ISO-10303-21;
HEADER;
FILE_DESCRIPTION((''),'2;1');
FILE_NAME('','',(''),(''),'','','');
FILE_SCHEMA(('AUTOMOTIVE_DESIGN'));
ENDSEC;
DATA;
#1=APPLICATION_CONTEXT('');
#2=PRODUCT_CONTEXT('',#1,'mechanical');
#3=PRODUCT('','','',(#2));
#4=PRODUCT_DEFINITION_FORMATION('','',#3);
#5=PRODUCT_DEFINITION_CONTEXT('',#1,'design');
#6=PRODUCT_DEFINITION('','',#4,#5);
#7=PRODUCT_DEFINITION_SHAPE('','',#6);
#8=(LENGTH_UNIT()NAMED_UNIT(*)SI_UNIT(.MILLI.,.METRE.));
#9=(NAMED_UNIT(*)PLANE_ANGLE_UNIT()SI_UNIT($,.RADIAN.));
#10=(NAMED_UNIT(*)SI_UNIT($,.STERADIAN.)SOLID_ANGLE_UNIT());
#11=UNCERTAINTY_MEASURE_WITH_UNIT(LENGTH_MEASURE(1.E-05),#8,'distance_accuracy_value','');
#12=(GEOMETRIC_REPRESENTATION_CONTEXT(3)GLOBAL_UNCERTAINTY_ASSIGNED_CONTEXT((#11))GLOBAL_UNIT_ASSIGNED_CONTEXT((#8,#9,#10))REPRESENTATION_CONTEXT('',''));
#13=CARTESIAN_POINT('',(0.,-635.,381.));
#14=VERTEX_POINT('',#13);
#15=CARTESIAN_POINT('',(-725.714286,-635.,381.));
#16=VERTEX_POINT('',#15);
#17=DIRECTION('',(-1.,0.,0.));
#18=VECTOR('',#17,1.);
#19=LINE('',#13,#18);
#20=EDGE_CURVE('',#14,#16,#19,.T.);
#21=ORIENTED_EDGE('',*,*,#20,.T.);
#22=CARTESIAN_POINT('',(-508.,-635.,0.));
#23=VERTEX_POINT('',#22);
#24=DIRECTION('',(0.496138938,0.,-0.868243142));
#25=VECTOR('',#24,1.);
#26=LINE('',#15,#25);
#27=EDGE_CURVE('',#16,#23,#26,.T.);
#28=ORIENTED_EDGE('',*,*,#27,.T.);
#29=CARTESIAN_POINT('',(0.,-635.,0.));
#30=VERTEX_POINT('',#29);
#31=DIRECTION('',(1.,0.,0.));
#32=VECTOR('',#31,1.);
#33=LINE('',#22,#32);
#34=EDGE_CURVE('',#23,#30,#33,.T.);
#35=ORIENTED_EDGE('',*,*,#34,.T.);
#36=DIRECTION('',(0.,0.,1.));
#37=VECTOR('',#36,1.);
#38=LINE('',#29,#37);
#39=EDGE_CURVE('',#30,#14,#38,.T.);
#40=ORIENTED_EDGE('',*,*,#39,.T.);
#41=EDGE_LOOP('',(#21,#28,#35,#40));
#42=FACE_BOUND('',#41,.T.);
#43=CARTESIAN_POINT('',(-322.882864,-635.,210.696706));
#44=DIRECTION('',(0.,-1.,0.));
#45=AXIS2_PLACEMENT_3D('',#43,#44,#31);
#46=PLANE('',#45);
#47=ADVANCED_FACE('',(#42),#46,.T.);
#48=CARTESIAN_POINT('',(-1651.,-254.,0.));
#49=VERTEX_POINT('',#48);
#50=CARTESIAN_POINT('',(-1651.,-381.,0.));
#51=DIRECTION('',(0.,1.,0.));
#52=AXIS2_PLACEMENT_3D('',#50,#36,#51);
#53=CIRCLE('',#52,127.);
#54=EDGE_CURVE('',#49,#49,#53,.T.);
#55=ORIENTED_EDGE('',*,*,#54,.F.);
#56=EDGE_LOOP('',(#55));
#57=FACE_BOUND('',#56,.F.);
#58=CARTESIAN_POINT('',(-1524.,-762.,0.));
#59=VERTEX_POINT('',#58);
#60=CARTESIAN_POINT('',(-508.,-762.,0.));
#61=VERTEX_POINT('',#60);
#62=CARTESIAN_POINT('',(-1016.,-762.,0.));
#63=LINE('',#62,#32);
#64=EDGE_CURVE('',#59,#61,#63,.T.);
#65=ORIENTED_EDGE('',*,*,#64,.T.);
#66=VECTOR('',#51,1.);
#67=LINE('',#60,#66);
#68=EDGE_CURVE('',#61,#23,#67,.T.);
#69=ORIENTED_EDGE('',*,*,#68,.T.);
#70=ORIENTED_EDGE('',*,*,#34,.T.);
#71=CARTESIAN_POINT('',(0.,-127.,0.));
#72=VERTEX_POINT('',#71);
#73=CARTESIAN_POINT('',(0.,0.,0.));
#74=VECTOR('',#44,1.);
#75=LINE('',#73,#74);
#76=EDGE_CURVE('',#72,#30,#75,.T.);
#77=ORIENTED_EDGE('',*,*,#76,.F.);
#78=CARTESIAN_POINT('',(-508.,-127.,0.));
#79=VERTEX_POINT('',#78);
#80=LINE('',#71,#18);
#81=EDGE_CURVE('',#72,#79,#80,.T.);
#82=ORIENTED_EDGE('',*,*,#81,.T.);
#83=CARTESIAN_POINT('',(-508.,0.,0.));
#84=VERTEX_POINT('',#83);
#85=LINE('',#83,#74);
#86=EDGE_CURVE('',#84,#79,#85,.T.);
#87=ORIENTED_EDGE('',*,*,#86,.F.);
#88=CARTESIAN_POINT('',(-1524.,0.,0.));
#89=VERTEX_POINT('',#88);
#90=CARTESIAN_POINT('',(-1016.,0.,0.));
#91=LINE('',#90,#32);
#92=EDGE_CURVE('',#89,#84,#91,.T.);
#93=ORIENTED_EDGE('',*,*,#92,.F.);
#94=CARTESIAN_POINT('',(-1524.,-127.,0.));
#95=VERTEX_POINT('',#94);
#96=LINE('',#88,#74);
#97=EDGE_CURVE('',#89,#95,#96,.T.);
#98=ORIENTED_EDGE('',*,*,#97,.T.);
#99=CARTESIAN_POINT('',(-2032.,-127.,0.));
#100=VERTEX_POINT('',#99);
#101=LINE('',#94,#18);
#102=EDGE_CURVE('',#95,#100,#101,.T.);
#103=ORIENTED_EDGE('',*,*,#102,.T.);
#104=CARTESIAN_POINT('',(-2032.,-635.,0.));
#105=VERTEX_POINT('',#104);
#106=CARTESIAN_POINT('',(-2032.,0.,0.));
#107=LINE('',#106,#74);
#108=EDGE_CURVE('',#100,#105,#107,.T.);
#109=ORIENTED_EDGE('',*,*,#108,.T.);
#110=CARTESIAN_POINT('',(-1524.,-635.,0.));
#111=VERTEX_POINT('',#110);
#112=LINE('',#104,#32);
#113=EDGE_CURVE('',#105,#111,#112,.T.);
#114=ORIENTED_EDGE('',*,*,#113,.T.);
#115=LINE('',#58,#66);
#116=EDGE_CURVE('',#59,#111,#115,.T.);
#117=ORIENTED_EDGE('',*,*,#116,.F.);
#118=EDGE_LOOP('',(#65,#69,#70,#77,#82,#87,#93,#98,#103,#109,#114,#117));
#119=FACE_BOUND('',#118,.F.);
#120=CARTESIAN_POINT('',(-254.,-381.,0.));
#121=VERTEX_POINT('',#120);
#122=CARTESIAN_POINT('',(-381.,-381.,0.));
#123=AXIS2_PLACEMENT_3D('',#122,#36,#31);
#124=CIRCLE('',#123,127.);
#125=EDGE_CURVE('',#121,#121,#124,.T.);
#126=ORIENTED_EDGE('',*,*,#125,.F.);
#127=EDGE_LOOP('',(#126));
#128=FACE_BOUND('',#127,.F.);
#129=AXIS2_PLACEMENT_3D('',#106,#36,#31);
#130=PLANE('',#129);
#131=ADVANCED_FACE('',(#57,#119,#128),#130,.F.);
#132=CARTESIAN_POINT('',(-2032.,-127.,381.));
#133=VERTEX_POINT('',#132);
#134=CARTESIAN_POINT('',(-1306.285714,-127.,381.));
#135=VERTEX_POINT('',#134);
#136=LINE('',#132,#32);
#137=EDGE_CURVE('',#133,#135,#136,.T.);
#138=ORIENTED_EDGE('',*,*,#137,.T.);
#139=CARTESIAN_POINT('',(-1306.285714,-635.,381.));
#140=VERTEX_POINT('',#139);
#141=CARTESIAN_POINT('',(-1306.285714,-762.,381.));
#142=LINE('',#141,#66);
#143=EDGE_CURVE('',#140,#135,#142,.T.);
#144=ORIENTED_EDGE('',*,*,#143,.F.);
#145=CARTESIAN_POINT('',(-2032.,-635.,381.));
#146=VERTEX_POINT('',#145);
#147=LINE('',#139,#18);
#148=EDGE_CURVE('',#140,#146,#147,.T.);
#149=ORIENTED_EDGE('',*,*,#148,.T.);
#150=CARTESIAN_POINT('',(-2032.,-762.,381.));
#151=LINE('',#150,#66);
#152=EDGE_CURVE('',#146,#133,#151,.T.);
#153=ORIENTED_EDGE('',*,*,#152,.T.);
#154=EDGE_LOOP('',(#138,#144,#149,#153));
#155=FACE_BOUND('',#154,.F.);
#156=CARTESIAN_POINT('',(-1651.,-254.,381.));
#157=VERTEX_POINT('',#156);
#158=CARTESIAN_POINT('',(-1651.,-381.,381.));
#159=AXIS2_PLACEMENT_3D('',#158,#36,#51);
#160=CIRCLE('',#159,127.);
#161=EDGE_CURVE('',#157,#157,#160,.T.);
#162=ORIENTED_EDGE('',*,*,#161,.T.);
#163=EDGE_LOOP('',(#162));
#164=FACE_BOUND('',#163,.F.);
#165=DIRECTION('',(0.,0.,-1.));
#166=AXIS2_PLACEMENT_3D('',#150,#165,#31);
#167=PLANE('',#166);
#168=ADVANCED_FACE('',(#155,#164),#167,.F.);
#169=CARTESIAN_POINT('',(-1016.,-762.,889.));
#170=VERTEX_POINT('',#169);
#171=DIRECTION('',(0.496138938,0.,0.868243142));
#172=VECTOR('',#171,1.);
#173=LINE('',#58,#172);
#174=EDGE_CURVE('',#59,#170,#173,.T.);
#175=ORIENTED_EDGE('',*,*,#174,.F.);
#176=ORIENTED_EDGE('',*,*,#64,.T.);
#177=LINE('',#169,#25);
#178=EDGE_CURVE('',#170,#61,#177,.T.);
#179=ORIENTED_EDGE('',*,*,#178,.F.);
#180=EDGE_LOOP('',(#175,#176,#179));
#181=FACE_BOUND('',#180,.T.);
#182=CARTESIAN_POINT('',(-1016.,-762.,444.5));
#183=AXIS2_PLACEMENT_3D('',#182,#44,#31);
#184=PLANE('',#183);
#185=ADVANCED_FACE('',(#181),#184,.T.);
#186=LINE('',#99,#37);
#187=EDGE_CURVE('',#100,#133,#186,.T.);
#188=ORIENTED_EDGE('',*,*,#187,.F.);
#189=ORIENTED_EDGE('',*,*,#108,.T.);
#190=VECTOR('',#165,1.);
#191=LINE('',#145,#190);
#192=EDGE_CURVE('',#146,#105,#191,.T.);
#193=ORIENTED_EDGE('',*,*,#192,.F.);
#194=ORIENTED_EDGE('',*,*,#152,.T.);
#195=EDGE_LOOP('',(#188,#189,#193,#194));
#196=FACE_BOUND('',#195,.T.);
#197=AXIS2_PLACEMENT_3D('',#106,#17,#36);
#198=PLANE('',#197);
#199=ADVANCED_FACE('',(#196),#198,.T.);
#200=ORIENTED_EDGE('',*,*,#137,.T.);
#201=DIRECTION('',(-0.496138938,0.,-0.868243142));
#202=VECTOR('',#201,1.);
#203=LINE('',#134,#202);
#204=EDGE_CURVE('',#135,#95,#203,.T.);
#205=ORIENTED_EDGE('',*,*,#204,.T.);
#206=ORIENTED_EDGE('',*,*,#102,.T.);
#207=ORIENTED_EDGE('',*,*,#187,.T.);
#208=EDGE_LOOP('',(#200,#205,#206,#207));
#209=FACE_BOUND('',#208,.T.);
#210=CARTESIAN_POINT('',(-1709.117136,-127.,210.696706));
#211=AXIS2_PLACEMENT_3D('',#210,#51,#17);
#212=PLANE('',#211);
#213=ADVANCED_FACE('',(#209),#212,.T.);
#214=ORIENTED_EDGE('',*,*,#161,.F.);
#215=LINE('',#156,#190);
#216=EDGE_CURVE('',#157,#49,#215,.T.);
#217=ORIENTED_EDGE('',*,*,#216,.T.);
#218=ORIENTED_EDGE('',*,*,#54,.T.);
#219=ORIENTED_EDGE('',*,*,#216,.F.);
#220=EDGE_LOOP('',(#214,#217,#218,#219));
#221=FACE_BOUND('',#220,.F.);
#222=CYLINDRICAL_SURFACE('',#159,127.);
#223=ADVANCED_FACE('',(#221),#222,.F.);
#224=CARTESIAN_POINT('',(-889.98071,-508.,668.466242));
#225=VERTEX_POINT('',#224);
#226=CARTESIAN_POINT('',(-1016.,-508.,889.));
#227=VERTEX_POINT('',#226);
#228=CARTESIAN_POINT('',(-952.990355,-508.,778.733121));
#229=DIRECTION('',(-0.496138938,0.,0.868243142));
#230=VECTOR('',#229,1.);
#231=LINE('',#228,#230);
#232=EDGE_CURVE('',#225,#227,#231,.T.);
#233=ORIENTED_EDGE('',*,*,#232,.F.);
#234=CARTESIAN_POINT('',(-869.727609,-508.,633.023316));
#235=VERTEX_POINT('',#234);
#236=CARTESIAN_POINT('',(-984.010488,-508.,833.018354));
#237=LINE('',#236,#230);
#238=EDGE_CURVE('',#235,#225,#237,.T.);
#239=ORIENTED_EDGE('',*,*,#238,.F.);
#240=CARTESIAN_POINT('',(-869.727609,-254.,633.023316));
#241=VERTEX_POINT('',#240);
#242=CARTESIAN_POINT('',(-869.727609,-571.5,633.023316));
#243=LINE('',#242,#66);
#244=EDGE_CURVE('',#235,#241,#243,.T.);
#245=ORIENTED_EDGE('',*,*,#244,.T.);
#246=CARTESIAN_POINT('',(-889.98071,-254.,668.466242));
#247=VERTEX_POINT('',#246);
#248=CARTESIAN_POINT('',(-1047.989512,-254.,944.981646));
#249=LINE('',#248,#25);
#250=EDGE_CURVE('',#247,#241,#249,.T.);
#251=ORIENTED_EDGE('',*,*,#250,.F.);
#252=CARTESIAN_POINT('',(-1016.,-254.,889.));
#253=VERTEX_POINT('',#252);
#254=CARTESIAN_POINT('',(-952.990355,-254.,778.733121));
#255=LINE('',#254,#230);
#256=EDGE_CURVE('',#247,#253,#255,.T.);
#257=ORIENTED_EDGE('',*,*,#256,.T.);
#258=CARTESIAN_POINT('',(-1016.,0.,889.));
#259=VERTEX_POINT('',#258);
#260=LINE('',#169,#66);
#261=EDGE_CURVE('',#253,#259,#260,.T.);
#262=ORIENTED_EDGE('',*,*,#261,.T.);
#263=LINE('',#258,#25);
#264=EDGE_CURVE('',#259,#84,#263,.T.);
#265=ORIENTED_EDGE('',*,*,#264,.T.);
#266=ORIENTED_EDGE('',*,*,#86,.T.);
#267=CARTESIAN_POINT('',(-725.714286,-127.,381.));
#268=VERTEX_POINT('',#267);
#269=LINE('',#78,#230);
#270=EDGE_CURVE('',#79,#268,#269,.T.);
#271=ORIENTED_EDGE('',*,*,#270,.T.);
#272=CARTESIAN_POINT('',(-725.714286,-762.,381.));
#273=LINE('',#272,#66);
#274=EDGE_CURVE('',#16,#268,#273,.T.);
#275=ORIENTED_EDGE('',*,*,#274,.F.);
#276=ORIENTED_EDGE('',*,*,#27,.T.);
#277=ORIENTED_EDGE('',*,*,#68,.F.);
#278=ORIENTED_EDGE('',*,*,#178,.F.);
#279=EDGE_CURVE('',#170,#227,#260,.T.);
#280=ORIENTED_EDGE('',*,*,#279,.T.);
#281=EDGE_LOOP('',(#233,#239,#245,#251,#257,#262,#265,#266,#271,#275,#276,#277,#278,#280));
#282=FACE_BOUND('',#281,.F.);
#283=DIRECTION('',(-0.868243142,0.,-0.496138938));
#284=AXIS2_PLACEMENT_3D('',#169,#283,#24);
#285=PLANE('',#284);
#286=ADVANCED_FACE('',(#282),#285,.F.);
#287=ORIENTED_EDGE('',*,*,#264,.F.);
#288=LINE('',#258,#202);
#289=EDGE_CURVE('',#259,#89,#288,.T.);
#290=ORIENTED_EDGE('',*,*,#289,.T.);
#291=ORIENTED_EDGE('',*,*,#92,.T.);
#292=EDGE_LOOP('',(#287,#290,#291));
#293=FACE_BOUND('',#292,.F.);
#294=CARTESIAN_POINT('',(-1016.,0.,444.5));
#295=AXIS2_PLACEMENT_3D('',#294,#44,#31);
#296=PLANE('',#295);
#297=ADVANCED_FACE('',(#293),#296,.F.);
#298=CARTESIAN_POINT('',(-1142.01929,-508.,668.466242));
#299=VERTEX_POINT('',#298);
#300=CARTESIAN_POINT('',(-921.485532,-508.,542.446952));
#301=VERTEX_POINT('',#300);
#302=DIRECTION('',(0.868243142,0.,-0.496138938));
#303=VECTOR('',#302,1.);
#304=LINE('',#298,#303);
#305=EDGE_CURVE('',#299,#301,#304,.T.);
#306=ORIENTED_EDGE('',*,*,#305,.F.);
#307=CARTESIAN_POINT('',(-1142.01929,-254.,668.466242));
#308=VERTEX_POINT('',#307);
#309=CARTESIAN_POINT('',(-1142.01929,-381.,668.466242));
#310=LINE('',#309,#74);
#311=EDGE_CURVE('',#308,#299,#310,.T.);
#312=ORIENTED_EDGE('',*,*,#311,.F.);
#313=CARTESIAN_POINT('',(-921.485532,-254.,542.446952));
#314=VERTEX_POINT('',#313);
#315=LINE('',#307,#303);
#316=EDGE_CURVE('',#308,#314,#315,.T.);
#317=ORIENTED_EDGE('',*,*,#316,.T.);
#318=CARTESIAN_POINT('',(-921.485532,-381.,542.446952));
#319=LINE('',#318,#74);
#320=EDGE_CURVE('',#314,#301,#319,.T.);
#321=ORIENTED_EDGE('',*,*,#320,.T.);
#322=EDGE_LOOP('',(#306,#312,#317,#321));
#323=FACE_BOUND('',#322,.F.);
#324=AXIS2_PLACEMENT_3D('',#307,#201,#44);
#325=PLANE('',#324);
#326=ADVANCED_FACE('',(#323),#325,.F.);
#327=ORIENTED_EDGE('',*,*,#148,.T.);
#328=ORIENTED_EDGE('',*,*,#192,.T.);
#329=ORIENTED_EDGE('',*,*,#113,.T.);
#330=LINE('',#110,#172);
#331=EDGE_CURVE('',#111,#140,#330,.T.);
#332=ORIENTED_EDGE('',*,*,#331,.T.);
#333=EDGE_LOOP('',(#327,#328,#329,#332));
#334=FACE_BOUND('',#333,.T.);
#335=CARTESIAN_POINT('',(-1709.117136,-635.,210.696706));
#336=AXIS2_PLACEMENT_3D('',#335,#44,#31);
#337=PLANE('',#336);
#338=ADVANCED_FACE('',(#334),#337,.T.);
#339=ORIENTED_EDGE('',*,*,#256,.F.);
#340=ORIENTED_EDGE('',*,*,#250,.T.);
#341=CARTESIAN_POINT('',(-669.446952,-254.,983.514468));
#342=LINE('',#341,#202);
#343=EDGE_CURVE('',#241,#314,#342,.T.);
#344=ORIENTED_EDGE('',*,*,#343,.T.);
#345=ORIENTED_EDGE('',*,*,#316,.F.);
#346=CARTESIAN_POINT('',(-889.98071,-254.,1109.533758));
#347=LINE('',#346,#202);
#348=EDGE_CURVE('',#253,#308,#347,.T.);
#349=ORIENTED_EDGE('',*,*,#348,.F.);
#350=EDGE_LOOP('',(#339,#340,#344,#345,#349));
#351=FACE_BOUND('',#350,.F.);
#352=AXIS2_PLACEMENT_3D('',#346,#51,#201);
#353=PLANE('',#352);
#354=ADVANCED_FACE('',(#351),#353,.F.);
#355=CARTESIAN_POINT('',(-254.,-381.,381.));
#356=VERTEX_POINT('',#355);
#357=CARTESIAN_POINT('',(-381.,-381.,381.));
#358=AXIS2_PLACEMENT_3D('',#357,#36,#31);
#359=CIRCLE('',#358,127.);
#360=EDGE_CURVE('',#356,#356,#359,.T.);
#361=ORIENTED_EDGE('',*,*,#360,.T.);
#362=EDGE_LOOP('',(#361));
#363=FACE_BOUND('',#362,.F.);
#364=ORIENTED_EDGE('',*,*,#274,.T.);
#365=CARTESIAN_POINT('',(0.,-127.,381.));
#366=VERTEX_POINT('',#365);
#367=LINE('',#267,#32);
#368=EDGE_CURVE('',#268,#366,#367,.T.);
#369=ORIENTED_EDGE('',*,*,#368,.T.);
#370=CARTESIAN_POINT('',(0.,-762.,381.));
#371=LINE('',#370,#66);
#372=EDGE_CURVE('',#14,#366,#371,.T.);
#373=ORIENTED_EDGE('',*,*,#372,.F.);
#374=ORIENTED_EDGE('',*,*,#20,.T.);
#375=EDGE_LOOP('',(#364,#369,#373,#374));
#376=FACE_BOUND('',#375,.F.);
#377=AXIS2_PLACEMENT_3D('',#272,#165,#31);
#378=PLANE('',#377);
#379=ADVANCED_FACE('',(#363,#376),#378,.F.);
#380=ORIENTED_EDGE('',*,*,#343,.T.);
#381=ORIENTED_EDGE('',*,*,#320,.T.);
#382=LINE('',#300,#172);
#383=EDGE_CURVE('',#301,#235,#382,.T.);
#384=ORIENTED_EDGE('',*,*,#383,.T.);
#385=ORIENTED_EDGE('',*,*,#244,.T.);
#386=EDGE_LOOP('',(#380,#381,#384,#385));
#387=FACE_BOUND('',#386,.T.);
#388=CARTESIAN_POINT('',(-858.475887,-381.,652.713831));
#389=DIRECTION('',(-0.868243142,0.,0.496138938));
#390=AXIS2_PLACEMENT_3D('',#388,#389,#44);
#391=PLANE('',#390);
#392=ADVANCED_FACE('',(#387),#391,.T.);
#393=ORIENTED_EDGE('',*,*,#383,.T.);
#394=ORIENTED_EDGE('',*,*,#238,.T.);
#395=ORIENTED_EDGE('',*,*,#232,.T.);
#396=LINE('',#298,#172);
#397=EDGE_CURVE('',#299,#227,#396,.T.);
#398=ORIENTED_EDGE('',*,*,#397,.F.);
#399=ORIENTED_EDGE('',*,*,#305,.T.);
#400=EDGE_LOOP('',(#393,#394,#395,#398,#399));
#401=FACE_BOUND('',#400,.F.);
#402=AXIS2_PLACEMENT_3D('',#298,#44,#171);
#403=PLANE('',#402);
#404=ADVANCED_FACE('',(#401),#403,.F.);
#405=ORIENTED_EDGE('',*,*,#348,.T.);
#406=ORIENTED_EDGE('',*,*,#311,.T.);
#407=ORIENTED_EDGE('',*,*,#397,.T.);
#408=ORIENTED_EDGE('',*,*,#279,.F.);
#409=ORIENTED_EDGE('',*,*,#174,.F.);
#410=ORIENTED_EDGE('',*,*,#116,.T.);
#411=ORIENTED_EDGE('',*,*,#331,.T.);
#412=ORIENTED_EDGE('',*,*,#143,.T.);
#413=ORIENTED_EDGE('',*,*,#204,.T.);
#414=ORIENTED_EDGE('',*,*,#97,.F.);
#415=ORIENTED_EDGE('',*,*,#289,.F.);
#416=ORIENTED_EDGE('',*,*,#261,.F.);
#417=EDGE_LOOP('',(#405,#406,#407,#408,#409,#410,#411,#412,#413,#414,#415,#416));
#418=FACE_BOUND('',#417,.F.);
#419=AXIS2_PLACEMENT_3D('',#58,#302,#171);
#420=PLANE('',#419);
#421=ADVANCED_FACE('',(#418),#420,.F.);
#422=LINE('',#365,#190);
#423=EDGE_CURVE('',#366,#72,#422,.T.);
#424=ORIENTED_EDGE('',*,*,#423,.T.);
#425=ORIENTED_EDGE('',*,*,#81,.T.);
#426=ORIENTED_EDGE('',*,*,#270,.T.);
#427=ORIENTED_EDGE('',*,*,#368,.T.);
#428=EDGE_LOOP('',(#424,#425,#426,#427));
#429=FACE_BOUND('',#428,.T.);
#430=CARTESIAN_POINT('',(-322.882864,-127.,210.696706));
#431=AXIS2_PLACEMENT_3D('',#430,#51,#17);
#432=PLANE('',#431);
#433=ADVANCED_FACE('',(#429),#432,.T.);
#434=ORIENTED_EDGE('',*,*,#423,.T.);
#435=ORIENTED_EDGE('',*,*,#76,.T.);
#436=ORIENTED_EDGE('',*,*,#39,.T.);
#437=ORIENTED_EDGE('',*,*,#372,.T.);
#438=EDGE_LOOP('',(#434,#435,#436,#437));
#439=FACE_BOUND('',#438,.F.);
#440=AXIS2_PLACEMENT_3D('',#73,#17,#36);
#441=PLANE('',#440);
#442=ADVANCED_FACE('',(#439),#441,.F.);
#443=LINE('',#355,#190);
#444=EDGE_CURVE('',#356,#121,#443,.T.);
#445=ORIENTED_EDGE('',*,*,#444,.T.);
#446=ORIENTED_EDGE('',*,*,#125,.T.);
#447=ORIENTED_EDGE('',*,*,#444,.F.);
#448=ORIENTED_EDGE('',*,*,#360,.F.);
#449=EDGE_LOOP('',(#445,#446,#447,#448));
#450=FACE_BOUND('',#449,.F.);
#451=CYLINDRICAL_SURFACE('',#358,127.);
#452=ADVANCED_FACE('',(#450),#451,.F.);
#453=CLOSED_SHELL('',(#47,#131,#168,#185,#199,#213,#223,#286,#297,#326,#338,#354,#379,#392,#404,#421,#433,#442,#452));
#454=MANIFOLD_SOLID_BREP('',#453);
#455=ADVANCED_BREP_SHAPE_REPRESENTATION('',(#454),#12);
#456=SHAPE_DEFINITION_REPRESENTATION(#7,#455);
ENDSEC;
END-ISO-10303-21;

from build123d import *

# Parameters (mm, degrees)
F0_W      = 2032
F0_H      = 889
F1_DEPTH  = 762
F3_DEPTH  = 127
F5_DEPTH  = 762
F7_DEPTH  = 889
F9_DEPTH  = 762
F11_DEPTH = 127
F12_W     = 254
F12_H     = 254
F13_DEPTH = 254
F15_DEPTH = 381
F17_DEPTH = 381
F18_R     = 127
F19_DEPTH = 381
F20_R     = 127
F21_DEPTH = 381
F22_R     = 127
F23_DEPTH = 381
F24_W     = 254
F24_H     = 254
F25_DEPTH = 254


with BuildPart() as f1:
    # F0 (on Front) → F1 (new body)
    with BuildSketch(Plane.XZ):
        with Locations((-1016, 444.5)):
            Rectangle(F0_W, F0_H)
    extrude(amount=F1_DEPTH)

    # F2 (on face) → F3 (cut)
    with BuildSketch(Plane.XZ.offset(762)):
        Polygon((-725.7142857143, 381), (-508, 0), (0, 0), (0, 381), align=None)
        Polygon((-2032, 381), (-2032, 0), (-1524, 0), (-1306.2857142857, 381), align=None)
    extrude(amount=-F3_DEPTH, mode=Mode.SUBTRACT)

    # F4 (on face) → F5 (join)
    with BuildSketch(Plane.XZ.offset(762)):
        Polygon((-2032, 381), (-1306.2857142857, 381), (-1016, 889), (-2032, 889), align=None)
        Polygon((0, 889), (-1016, 889), (-725.7142857143, 381), (0, 381), align=None)
    extrude(amount=-F5_DEPTH)

    # F6 (on face) → F7 (cut)
    with BuildSketch(Plane.XZ.offset(762)):
        Polygon((-2032, 381), (-1306.2857142857, 381), (-1016, 889), (-2032, 889), align=None)
    extrude(amount=-F7_DEPTH, mode=Mode.SUBTRACT)

    # F8 (on face) → F9 (cut)
    with BuildSketch(Plane.XZ.offset(762)):
        Polygon((-1016, 889), (-725.7142857143, 381), (0, 381), (0, 889), align=None)
    extrude(amount=-F9_DEPTH, mode=Mode.SUBTRACT)

    # F10 (on face) → F11 (cut)
    with BuildSketch(Plane(origin=(0, 0, 0), x_dir=(-1, 0, 0), z_dir=(0, 1, 0))):
        Polygon((0, 381), (0, 0), (508, 0), (725.7142857143, 381), align=None)
        Polygon((1306.2857142857, 381), (1524, 0), (2032, 0), (2032, 381), align=None)
    extrude(amount=-F11_DEPTH, mode=Mode.SUBTRACT)

    # F12 (on face) → F13 (cut)
    with BuildSketch(Plane(origin=(-382.9538461538, 0, -218.8307692308), x_dir=(0, 1, 0), z_dir=(0.8682431421, 0, 0.4961389384))):
        with Locations((-381, 1148.9453147192)):
            Rectangle(F12_W, F12_H)
    extrude(amount=F13_DEPTH, mode=Mode.SUBTRACT)

    # F14 (on face) → F15 (cut)
    with BuildSketch(Plane.XY.offset(381)):
        with BuildLine():
            ThreePointArc((-1524, -381), (-1561.1974387893, -291.1974387893), (-1651, -254))
            Line((-1651, -254), (-1651, -381))
            Line((-1651, -381), (-1778, -381))
            ThreePointArc((-1778, -381), (-1651, -508), (-1524, -381))
        make_face()
        with BuildLine():
            Line((-1651, -381), (-1651, -254))
            ThreePointArc((-1651, -254), (-1740.8025612107, -291.1974387893), (-1778, -381))
            Line((-1778, -381), (-1651, -381))
        make_face()
    extrude(amount=-F15_DEPTH, mode=Mode.SUBTRACT)

    # F16 (on face) → F17 (join)
    with BuildSketch(Plane.XY.offset(381)):
        with BuildLine():
            ThreePointArc((-254, -381), (-291.1974387893, -291.1974387893), (-381, -254))
            Line((-381, -254), (-381, -381))
            Line((-381, -381), (-254, -381))
        make_face()
        with BuildLine():
            Line((-381, -381), (-381, -254))
            ThreePointArc((-381, -254), (-470.8025612107, -470.8025612107), (-254, -381))
            Line((-254, -381), (-381, -381))
        make_face()
    extrude(amount=-F17_DEPTH)

    # F18 (on face) → F19 (join)
    with BuildSketch(Plane.XY.offset(381)):
        with Locations((-381, -381)):
            Circle(F18_R)
    extrude(amount=-F19_DEPTH)

    # F20 (on face) → F21 (cut)
    with BuildSketch(Plane.XY.offset(381)):
        with Locations((-381, -381)):
            Circle(F20_R)
    extrude(amount=F21_DEPTH, mode=Mode.SUBTRACT)

    # F22 (on face) → F23 (cut)
    with BuildSketch(Plane.XY.offset(381)):
        with Locations((-381, -381)):
            Circle(F22_R)
    extrude(amount=-F23_DEPTH, mode=Mode.SUBTRACT)

    # F24 (on face) → F25 (cut)
    with BuildSketch(Plane(origin=(-1148.8615384615, 0, 656.4923076923), x_dir=(0, -1, 0), z_dir=(-0.8682431421, 0, 0.4961389384))):
        with Locations((381, 140.7909919781)):
            Rectangle(F24_W, F24_H)
        with Locations((381, 394.7909919781)):
            Rectangle(F24_W, F24_H)
    extrude(amount=-F25_DEPTH, mode=Mode.SUBTRACT)


solid = f1.part
